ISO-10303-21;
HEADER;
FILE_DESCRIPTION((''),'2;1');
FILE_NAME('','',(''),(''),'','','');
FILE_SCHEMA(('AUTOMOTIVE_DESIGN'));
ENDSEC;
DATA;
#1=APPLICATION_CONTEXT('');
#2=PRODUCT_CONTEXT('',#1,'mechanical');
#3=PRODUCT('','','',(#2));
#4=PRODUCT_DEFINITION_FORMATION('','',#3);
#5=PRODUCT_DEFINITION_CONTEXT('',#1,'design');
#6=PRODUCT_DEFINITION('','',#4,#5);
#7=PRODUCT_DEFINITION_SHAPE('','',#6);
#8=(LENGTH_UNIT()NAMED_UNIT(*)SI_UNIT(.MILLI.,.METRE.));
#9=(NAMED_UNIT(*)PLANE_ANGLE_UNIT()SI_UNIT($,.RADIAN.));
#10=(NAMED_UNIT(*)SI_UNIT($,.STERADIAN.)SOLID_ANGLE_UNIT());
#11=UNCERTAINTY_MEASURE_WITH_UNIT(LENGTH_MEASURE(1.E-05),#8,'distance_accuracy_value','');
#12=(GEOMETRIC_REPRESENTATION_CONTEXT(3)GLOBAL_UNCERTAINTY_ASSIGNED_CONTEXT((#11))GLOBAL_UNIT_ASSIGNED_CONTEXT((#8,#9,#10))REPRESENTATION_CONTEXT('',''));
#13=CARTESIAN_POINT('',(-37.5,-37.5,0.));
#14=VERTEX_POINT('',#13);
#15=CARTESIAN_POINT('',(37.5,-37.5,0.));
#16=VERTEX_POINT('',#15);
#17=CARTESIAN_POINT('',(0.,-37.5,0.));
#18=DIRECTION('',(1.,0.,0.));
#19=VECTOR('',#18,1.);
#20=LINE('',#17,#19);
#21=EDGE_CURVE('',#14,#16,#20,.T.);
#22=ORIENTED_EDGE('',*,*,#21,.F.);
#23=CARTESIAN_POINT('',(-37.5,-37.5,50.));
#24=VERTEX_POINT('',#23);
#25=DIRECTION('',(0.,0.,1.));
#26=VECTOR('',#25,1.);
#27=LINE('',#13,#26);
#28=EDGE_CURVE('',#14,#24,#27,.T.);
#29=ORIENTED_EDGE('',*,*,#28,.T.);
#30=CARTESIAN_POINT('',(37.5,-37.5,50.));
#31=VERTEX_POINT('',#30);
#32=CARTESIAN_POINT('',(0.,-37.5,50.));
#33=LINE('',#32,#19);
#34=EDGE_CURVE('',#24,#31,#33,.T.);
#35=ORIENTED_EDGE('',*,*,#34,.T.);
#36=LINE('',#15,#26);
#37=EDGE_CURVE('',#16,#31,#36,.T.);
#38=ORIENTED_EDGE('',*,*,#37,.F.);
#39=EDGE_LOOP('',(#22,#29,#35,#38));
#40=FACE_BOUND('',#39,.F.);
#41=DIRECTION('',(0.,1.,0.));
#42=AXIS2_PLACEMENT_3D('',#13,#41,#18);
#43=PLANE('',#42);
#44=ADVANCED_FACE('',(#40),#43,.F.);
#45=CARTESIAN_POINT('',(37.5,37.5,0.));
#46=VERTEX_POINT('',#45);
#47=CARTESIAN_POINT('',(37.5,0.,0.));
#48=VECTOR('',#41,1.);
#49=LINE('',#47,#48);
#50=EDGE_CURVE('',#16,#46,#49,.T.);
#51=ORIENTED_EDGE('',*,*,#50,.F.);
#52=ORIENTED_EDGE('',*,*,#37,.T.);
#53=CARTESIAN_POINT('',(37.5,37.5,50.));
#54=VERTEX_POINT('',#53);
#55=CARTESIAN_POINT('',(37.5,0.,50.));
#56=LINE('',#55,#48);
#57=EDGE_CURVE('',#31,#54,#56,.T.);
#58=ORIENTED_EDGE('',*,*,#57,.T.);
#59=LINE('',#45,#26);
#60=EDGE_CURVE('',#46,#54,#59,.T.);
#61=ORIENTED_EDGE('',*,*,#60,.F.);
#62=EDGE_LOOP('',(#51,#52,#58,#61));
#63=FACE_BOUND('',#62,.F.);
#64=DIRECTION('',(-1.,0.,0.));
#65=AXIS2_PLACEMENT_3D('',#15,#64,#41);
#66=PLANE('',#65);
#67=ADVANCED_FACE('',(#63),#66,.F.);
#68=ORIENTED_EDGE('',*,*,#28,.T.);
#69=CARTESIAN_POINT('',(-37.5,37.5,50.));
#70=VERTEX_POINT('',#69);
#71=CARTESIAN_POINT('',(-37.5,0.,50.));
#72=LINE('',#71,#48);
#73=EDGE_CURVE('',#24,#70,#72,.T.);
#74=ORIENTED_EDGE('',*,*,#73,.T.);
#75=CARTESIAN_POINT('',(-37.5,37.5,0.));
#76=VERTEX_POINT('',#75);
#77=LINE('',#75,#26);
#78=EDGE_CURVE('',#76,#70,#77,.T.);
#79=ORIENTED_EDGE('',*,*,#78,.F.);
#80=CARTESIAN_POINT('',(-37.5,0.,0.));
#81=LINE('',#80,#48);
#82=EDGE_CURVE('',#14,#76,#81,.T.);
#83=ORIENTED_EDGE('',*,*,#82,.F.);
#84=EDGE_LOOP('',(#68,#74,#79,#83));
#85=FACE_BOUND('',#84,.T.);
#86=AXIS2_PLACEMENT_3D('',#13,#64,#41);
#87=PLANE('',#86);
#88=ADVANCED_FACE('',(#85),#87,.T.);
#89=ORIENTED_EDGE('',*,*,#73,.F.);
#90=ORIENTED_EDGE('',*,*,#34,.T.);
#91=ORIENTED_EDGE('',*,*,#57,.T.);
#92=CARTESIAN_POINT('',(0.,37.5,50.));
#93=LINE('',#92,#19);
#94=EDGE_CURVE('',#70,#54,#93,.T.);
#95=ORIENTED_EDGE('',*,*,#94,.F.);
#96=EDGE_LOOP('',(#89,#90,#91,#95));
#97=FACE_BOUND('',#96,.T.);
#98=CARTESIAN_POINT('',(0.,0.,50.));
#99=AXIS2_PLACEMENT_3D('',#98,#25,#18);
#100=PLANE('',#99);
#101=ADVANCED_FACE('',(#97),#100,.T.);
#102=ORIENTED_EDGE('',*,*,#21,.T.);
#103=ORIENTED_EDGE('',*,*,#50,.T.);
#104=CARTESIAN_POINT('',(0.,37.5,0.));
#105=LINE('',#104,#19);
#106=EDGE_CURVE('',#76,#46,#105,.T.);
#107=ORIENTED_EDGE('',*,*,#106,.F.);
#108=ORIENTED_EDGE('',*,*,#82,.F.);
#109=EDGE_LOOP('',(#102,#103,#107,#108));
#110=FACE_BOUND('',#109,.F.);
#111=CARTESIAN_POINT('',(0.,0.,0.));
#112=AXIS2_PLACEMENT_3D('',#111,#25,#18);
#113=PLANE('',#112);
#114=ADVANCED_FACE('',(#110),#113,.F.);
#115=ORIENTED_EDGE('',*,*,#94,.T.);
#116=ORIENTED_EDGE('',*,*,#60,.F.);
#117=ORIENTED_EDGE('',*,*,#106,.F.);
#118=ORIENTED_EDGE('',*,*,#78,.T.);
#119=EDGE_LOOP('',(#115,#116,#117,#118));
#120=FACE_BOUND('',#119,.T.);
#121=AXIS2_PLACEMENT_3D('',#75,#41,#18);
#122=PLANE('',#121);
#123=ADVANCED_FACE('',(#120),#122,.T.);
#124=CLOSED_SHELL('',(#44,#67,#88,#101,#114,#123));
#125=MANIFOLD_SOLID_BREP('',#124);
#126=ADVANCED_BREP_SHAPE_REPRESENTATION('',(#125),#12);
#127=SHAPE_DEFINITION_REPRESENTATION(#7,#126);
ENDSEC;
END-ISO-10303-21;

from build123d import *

# Parameters (mm, degrees)
SKETCH_W      = 75
SKETCH_H      = 75
EXTRUDE_DEPTH = 50


with BuildPart() as part:
    # Sketch → Extrude (new body)
    with BuildSketch(Plane.XY):
        Rectangle(SKETCH_W, SKETCH_H)
    extrude(amount=EXTRUDE_DEPTH)


solid = part.part
